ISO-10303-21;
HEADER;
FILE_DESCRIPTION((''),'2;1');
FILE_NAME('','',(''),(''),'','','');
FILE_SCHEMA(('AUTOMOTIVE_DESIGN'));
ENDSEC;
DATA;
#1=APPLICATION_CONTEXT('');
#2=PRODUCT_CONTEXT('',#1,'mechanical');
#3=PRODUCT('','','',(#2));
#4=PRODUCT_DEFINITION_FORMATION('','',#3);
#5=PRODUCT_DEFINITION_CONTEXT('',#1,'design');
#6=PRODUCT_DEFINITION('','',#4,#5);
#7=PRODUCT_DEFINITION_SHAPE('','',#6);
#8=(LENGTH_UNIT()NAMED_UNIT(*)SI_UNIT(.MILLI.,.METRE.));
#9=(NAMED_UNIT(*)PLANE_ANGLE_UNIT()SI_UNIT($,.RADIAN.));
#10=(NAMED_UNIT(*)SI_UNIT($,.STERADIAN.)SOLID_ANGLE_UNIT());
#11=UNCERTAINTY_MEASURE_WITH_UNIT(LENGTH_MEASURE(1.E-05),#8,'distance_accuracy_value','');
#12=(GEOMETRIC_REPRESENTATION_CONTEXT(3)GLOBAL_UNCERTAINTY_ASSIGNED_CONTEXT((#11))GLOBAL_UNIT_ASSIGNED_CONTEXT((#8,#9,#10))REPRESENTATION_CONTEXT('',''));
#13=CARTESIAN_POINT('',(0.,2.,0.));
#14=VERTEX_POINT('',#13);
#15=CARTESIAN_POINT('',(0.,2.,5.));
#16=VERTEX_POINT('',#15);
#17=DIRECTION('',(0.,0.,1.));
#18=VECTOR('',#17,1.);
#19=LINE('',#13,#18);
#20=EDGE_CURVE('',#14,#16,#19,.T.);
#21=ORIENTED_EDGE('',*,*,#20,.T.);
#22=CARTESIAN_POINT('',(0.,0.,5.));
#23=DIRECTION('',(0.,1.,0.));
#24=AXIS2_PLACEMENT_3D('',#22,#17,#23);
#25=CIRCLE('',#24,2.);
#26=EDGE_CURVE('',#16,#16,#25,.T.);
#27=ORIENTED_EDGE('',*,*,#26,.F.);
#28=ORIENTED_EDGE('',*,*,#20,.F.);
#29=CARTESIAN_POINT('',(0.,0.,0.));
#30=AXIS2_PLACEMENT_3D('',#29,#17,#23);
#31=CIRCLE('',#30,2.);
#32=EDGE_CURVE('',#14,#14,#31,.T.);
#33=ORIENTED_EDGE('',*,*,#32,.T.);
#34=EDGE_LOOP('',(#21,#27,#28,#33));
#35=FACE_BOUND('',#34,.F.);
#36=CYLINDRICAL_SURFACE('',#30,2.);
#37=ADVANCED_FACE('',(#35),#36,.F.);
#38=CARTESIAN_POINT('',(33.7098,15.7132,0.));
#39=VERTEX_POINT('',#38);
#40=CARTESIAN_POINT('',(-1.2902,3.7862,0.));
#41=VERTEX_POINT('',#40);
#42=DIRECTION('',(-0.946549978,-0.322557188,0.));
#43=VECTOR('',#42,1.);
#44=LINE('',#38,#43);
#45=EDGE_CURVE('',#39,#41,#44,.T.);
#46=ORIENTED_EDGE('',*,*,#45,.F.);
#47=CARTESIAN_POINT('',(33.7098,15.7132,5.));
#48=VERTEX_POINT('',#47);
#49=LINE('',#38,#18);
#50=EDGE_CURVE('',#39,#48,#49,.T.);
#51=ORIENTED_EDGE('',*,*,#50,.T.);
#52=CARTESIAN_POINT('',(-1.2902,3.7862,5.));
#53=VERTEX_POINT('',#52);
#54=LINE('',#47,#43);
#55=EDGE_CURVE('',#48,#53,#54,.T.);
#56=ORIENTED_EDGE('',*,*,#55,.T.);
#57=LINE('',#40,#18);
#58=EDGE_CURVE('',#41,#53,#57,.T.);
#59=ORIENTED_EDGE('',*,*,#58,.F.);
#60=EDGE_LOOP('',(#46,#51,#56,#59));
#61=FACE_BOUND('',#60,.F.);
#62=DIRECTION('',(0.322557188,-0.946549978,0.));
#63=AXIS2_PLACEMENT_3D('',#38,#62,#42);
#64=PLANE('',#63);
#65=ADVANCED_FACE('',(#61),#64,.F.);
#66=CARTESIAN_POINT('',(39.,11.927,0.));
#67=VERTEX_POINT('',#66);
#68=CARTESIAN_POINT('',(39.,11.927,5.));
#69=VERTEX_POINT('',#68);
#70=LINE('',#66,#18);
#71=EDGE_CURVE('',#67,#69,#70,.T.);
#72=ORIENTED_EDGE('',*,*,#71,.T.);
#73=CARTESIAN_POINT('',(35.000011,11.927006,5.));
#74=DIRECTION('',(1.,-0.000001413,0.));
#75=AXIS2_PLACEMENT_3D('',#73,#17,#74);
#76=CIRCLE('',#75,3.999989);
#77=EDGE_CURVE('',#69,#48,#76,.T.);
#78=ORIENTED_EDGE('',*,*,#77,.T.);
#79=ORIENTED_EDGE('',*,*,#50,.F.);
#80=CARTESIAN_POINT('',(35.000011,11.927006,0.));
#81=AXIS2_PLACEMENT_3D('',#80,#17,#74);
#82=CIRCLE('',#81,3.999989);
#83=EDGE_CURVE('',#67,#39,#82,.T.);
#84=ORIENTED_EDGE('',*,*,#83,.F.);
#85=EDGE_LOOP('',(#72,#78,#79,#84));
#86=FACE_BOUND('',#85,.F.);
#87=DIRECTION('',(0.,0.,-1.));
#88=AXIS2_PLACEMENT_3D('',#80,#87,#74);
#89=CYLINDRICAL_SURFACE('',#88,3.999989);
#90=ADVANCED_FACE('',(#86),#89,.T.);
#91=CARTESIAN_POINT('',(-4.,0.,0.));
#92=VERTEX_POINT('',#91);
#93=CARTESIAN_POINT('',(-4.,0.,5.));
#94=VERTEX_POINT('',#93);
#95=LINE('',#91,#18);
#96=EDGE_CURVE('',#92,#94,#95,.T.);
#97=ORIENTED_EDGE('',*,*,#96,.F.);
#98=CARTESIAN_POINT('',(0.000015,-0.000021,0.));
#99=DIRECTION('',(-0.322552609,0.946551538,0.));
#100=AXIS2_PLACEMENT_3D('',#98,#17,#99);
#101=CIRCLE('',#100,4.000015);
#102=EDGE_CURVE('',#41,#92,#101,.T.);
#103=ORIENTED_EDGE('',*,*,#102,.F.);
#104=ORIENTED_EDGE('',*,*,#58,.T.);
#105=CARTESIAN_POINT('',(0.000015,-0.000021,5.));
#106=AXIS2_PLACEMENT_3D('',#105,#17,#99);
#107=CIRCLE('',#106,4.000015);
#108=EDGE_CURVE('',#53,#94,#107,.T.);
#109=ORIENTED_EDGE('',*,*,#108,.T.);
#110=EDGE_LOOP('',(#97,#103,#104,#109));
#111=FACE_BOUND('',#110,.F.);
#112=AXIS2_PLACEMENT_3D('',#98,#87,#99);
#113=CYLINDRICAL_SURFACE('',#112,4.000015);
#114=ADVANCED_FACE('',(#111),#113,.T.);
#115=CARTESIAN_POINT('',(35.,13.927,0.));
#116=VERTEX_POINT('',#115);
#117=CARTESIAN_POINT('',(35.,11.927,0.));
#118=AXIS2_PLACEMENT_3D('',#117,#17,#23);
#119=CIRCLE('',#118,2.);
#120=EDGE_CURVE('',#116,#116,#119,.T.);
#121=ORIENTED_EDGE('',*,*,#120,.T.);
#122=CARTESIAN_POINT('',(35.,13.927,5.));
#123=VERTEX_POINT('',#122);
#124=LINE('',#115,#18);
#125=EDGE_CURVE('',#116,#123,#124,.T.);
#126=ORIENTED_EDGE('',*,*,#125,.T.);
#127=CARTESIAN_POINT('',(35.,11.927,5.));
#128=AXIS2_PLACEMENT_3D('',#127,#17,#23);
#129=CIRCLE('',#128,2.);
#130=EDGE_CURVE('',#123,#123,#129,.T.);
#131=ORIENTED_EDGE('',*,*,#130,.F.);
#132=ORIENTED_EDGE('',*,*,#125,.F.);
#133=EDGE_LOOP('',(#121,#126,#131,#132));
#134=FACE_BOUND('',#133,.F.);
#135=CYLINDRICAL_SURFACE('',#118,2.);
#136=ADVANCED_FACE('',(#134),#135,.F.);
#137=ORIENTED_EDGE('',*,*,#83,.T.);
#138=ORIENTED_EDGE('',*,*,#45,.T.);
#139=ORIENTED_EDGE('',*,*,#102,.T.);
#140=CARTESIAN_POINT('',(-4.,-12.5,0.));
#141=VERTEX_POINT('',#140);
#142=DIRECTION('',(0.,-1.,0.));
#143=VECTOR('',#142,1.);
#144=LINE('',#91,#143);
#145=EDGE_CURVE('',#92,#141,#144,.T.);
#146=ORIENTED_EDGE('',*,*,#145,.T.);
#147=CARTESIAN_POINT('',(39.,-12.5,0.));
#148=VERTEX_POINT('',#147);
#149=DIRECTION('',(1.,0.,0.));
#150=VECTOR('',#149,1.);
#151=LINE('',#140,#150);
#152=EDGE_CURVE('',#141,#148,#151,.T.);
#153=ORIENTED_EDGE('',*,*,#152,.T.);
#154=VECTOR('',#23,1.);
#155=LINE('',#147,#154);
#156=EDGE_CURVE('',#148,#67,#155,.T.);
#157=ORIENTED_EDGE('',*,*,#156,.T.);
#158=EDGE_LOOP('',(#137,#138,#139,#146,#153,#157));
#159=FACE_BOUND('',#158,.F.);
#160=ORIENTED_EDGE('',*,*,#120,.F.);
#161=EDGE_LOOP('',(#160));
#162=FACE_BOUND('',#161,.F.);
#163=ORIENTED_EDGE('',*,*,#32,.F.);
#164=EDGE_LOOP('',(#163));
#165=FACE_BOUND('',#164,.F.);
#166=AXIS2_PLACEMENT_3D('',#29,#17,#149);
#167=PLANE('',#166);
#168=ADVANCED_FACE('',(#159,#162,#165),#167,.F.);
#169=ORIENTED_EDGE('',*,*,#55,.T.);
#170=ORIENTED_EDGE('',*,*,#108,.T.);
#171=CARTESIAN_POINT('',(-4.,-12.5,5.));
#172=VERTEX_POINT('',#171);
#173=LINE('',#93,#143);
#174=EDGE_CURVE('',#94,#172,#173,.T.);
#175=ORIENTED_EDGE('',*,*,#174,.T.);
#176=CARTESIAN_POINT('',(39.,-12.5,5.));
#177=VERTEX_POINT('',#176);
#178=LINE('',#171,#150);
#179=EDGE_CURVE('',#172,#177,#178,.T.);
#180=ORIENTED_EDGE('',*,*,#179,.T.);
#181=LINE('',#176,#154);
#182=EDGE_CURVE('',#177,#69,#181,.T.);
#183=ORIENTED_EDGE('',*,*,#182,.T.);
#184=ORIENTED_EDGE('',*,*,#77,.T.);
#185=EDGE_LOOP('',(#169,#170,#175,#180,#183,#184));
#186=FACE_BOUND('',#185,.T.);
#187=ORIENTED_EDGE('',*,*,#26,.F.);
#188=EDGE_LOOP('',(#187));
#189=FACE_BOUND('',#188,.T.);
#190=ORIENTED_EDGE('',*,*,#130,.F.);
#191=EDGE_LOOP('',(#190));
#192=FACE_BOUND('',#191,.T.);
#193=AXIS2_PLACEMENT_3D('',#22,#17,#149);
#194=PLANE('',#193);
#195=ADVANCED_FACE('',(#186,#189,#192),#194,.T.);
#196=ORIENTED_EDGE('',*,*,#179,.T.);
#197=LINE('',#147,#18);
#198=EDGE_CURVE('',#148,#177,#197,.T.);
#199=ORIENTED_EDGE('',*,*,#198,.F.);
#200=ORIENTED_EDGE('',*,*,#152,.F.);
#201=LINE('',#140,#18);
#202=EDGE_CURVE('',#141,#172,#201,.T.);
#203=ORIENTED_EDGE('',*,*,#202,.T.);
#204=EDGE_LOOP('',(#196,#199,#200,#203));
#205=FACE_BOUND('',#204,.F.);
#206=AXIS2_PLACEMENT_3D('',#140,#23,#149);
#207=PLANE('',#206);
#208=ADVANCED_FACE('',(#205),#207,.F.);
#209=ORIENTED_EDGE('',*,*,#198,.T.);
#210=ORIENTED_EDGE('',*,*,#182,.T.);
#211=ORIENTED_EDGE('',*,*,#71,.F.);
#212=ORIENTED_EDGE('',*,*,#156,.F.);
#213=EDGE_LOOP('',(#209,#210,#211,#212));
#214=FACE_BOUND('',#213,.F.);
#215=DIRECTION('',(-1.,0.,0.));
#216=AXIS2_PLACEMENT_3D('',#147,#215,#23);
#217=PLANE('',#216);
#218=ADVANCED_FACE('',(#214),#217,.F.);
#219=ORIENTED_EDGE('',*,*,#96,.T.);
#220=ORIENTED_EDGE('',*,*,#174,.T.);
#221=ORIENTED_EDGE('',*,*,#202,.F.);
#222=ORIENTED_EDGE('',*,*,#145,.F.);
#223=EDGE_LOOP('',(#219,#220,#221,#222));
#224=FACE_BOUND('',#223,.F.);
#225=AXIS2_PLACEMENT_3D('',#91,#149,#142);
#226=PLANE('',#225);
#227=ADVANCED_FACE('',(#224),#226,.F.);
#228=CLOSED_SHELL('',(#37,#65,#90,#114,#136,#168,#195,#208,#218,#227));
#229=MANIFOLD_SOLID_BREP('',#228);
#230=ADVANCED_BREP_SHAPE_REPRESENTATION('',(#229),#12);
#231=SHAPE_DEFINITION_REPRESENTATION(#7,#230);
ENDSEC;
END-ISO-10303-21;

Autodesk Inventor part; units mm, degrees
ref_plane "YZ Plane" through (0, 0, 0) normal (1, 0, 0) x (0, 1, 0)
ref_plane "XZ Plane" through (0, 0, 0) normal (0, 1, 0) x (-1, 0, 0)
ref_plane "XY Plane" through (0, 0, 0) normal (0, 0, 1) x (1, 0, 0)
sketch "スケッチ1" plane through (0, 0, 0) normal (0, 0, 1) x (1, 0, 0)
  line L0 (0, 0) -> (35, 11.927) construction
  line L1 (33.7098, 15.7132) -> (-1.2902, 3.7862)
  line L2 (-4, 0) -> (-4, -12.5)
  line L3 (-4, -12.5) -> (39, -12.5)
  line L4 (39, -12.5) -> (39, 11.927)
  arc A0 (-1.2902, 3.7862) -> (-4, 0) centre (0, 0) ccw
  arc A1 (39, 11.927) -> (33.7098, 15.7132) centre (35, 11.927) ccw
  dimension "d0" = 35
  dimension "d1" = 11.927
  dimension "d2" = 4
  dimension "d12" = 12.5
extrude "押し出し1" add sketch "スケッチ1" along normal blind 5
hole "穴1" at (0, 0, 0) at (35, 11.927, 0) direction (0, 0, 1) diameter 4 end through all
properties part number "COXA_ROLL_COUPLER_BACK"
